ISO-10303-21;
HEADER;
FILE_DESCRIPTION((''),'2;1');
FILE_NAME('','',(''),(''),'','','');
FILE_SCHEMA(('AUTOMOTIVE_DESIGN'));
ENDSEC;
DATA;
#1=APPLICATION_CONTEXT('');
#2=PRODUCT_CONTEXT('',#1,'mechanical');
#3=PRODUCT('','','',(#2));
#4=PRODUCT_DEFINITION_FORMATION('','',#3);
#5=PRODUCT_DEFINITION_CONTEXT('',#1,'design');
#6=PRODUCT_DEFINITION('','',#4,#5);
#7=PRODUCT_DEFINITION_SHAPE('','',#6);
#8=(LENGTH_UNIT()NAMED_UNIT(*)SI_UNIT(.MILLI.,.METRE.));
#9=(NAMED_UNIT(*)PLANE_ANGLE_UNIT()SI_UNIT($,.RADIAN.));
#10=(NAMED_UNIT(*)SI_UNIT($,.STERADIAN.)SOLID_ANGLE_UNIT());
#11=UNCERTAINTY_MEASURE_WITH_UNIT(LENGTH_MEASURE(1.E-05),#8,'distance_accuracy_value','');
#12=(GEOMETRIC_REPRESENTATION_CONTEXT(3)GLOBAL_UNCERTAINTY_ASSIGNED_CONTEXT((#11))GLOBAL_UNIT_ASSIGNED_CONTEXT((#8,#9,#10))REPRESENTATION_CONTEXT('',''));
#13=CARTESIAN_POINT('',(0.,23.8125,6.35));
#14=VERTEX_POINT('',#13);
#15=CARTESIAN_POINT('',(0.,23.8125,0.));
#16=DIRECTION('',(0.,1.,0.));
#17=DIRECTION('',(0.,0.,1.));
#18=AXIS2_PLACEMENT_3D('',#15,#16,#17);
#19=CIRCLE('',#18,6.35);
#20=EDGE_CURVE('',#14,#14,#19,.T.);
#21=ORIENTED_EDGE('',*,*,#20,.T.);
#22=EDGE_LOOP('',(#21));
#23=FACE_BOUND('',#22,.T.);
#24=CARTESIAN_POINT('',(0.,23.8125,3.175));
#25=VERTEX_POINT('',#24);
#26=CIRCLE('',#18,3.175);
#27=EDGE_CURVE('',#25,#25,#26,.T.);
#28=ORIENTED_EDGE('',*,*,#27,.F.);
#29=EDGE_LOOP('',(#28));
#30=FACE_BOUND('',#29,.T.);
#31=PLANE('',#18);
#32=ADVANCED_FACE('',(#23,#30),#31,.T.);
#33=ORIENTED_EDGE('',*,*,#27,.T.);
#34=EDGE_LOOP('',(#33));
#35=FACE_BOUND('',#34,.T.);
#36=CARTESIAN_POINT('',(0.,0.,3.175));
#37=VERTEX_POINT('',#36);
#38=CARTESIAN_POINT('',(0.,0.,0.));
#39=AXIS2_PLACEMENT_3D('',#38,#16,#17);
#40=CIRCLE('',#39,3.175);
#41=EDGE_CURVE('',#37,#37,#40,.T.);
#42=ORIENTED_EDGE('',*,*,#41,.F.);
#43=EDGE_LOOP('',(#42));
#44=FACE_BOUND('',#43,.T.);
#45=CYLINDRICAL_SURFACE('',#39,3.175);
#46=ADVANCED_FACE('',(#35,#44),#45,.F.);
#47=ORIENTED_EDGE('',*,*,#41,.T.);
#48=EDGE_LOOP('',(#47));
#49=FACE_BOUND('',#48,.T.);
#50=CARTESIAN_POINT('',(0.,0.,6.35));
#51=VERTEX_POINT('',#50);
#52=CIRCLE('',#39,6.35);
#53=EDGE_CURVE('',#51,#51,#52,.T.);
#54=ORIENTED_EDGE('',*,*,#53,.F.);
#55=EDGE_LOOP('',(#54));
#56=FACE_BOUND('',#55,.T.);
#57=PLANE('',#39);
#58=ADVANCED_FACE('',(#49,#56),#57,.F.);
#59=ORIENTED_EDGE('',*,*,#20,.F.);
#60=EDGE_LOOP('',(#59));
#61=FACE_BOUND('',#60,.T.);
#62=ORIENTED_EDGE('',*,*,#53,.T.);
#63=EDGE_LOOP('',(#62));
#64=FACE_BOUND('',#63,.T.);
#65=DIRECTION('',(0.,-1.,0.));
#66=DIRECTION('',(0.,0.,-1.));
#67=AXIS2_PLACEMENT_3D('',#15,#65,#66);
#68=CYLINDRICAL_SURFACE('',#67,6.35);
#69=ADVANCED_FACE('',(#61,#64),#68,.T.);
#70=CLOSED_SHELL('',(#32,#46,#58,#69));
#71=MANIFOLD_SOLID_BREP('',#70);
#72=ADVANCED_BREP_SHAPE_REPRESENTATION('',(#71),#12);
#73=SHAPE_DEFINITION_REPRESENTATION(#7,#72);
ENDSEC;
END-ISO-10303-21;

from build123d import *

# Parameters (mm, degrees)
SKETCH1_R               = 6.35
BOSS_EXTRUDE1_DEPTH     = 23.8125
CUT_EXTRUDE1_DEPTH      = 26.449561023
CUT_EXTRUDE1_DEPTH_BACK = 26.449561023
SKETCH2_R               = 3.175


with BuildPart() as part:
    # Sketch1 → Boss-Extrude1 (new body)
    with BuildSketch(Plane(origin=(0, 0, 0), x_dir=(1, 0, 0), z_dir=(0, 1, 0))):
        with Locations(Location((0, 0, 0), (0, 0, 270))):
            Circle(SKETCH1_R)
    extrude(amount=BOSS_EXTRUDE1_DEPTH)

    # Sketch2 → Cut-Extrude1 (cut, two sides: drawn at the far end of the back side and taken through both)
    with BuildSketch(Plane(origin=(0, 23.8125, 0), x_dir=(1, 0, 0), z_dir=(0, 1, 0)).offset(-CUT_EXTRUDE1_DEPTH_BACK)):
        with Locations(Location((0, 0, 0), (0, 0, 270))):
            Circle(SKETCH2_R)
    extrude(amount=CUT_EXTRUDE1_DEPTH + CUT_EXTRUDE1_DEPTH_BACK, mode=Mode.SUBTRACT)


solid = part.part
